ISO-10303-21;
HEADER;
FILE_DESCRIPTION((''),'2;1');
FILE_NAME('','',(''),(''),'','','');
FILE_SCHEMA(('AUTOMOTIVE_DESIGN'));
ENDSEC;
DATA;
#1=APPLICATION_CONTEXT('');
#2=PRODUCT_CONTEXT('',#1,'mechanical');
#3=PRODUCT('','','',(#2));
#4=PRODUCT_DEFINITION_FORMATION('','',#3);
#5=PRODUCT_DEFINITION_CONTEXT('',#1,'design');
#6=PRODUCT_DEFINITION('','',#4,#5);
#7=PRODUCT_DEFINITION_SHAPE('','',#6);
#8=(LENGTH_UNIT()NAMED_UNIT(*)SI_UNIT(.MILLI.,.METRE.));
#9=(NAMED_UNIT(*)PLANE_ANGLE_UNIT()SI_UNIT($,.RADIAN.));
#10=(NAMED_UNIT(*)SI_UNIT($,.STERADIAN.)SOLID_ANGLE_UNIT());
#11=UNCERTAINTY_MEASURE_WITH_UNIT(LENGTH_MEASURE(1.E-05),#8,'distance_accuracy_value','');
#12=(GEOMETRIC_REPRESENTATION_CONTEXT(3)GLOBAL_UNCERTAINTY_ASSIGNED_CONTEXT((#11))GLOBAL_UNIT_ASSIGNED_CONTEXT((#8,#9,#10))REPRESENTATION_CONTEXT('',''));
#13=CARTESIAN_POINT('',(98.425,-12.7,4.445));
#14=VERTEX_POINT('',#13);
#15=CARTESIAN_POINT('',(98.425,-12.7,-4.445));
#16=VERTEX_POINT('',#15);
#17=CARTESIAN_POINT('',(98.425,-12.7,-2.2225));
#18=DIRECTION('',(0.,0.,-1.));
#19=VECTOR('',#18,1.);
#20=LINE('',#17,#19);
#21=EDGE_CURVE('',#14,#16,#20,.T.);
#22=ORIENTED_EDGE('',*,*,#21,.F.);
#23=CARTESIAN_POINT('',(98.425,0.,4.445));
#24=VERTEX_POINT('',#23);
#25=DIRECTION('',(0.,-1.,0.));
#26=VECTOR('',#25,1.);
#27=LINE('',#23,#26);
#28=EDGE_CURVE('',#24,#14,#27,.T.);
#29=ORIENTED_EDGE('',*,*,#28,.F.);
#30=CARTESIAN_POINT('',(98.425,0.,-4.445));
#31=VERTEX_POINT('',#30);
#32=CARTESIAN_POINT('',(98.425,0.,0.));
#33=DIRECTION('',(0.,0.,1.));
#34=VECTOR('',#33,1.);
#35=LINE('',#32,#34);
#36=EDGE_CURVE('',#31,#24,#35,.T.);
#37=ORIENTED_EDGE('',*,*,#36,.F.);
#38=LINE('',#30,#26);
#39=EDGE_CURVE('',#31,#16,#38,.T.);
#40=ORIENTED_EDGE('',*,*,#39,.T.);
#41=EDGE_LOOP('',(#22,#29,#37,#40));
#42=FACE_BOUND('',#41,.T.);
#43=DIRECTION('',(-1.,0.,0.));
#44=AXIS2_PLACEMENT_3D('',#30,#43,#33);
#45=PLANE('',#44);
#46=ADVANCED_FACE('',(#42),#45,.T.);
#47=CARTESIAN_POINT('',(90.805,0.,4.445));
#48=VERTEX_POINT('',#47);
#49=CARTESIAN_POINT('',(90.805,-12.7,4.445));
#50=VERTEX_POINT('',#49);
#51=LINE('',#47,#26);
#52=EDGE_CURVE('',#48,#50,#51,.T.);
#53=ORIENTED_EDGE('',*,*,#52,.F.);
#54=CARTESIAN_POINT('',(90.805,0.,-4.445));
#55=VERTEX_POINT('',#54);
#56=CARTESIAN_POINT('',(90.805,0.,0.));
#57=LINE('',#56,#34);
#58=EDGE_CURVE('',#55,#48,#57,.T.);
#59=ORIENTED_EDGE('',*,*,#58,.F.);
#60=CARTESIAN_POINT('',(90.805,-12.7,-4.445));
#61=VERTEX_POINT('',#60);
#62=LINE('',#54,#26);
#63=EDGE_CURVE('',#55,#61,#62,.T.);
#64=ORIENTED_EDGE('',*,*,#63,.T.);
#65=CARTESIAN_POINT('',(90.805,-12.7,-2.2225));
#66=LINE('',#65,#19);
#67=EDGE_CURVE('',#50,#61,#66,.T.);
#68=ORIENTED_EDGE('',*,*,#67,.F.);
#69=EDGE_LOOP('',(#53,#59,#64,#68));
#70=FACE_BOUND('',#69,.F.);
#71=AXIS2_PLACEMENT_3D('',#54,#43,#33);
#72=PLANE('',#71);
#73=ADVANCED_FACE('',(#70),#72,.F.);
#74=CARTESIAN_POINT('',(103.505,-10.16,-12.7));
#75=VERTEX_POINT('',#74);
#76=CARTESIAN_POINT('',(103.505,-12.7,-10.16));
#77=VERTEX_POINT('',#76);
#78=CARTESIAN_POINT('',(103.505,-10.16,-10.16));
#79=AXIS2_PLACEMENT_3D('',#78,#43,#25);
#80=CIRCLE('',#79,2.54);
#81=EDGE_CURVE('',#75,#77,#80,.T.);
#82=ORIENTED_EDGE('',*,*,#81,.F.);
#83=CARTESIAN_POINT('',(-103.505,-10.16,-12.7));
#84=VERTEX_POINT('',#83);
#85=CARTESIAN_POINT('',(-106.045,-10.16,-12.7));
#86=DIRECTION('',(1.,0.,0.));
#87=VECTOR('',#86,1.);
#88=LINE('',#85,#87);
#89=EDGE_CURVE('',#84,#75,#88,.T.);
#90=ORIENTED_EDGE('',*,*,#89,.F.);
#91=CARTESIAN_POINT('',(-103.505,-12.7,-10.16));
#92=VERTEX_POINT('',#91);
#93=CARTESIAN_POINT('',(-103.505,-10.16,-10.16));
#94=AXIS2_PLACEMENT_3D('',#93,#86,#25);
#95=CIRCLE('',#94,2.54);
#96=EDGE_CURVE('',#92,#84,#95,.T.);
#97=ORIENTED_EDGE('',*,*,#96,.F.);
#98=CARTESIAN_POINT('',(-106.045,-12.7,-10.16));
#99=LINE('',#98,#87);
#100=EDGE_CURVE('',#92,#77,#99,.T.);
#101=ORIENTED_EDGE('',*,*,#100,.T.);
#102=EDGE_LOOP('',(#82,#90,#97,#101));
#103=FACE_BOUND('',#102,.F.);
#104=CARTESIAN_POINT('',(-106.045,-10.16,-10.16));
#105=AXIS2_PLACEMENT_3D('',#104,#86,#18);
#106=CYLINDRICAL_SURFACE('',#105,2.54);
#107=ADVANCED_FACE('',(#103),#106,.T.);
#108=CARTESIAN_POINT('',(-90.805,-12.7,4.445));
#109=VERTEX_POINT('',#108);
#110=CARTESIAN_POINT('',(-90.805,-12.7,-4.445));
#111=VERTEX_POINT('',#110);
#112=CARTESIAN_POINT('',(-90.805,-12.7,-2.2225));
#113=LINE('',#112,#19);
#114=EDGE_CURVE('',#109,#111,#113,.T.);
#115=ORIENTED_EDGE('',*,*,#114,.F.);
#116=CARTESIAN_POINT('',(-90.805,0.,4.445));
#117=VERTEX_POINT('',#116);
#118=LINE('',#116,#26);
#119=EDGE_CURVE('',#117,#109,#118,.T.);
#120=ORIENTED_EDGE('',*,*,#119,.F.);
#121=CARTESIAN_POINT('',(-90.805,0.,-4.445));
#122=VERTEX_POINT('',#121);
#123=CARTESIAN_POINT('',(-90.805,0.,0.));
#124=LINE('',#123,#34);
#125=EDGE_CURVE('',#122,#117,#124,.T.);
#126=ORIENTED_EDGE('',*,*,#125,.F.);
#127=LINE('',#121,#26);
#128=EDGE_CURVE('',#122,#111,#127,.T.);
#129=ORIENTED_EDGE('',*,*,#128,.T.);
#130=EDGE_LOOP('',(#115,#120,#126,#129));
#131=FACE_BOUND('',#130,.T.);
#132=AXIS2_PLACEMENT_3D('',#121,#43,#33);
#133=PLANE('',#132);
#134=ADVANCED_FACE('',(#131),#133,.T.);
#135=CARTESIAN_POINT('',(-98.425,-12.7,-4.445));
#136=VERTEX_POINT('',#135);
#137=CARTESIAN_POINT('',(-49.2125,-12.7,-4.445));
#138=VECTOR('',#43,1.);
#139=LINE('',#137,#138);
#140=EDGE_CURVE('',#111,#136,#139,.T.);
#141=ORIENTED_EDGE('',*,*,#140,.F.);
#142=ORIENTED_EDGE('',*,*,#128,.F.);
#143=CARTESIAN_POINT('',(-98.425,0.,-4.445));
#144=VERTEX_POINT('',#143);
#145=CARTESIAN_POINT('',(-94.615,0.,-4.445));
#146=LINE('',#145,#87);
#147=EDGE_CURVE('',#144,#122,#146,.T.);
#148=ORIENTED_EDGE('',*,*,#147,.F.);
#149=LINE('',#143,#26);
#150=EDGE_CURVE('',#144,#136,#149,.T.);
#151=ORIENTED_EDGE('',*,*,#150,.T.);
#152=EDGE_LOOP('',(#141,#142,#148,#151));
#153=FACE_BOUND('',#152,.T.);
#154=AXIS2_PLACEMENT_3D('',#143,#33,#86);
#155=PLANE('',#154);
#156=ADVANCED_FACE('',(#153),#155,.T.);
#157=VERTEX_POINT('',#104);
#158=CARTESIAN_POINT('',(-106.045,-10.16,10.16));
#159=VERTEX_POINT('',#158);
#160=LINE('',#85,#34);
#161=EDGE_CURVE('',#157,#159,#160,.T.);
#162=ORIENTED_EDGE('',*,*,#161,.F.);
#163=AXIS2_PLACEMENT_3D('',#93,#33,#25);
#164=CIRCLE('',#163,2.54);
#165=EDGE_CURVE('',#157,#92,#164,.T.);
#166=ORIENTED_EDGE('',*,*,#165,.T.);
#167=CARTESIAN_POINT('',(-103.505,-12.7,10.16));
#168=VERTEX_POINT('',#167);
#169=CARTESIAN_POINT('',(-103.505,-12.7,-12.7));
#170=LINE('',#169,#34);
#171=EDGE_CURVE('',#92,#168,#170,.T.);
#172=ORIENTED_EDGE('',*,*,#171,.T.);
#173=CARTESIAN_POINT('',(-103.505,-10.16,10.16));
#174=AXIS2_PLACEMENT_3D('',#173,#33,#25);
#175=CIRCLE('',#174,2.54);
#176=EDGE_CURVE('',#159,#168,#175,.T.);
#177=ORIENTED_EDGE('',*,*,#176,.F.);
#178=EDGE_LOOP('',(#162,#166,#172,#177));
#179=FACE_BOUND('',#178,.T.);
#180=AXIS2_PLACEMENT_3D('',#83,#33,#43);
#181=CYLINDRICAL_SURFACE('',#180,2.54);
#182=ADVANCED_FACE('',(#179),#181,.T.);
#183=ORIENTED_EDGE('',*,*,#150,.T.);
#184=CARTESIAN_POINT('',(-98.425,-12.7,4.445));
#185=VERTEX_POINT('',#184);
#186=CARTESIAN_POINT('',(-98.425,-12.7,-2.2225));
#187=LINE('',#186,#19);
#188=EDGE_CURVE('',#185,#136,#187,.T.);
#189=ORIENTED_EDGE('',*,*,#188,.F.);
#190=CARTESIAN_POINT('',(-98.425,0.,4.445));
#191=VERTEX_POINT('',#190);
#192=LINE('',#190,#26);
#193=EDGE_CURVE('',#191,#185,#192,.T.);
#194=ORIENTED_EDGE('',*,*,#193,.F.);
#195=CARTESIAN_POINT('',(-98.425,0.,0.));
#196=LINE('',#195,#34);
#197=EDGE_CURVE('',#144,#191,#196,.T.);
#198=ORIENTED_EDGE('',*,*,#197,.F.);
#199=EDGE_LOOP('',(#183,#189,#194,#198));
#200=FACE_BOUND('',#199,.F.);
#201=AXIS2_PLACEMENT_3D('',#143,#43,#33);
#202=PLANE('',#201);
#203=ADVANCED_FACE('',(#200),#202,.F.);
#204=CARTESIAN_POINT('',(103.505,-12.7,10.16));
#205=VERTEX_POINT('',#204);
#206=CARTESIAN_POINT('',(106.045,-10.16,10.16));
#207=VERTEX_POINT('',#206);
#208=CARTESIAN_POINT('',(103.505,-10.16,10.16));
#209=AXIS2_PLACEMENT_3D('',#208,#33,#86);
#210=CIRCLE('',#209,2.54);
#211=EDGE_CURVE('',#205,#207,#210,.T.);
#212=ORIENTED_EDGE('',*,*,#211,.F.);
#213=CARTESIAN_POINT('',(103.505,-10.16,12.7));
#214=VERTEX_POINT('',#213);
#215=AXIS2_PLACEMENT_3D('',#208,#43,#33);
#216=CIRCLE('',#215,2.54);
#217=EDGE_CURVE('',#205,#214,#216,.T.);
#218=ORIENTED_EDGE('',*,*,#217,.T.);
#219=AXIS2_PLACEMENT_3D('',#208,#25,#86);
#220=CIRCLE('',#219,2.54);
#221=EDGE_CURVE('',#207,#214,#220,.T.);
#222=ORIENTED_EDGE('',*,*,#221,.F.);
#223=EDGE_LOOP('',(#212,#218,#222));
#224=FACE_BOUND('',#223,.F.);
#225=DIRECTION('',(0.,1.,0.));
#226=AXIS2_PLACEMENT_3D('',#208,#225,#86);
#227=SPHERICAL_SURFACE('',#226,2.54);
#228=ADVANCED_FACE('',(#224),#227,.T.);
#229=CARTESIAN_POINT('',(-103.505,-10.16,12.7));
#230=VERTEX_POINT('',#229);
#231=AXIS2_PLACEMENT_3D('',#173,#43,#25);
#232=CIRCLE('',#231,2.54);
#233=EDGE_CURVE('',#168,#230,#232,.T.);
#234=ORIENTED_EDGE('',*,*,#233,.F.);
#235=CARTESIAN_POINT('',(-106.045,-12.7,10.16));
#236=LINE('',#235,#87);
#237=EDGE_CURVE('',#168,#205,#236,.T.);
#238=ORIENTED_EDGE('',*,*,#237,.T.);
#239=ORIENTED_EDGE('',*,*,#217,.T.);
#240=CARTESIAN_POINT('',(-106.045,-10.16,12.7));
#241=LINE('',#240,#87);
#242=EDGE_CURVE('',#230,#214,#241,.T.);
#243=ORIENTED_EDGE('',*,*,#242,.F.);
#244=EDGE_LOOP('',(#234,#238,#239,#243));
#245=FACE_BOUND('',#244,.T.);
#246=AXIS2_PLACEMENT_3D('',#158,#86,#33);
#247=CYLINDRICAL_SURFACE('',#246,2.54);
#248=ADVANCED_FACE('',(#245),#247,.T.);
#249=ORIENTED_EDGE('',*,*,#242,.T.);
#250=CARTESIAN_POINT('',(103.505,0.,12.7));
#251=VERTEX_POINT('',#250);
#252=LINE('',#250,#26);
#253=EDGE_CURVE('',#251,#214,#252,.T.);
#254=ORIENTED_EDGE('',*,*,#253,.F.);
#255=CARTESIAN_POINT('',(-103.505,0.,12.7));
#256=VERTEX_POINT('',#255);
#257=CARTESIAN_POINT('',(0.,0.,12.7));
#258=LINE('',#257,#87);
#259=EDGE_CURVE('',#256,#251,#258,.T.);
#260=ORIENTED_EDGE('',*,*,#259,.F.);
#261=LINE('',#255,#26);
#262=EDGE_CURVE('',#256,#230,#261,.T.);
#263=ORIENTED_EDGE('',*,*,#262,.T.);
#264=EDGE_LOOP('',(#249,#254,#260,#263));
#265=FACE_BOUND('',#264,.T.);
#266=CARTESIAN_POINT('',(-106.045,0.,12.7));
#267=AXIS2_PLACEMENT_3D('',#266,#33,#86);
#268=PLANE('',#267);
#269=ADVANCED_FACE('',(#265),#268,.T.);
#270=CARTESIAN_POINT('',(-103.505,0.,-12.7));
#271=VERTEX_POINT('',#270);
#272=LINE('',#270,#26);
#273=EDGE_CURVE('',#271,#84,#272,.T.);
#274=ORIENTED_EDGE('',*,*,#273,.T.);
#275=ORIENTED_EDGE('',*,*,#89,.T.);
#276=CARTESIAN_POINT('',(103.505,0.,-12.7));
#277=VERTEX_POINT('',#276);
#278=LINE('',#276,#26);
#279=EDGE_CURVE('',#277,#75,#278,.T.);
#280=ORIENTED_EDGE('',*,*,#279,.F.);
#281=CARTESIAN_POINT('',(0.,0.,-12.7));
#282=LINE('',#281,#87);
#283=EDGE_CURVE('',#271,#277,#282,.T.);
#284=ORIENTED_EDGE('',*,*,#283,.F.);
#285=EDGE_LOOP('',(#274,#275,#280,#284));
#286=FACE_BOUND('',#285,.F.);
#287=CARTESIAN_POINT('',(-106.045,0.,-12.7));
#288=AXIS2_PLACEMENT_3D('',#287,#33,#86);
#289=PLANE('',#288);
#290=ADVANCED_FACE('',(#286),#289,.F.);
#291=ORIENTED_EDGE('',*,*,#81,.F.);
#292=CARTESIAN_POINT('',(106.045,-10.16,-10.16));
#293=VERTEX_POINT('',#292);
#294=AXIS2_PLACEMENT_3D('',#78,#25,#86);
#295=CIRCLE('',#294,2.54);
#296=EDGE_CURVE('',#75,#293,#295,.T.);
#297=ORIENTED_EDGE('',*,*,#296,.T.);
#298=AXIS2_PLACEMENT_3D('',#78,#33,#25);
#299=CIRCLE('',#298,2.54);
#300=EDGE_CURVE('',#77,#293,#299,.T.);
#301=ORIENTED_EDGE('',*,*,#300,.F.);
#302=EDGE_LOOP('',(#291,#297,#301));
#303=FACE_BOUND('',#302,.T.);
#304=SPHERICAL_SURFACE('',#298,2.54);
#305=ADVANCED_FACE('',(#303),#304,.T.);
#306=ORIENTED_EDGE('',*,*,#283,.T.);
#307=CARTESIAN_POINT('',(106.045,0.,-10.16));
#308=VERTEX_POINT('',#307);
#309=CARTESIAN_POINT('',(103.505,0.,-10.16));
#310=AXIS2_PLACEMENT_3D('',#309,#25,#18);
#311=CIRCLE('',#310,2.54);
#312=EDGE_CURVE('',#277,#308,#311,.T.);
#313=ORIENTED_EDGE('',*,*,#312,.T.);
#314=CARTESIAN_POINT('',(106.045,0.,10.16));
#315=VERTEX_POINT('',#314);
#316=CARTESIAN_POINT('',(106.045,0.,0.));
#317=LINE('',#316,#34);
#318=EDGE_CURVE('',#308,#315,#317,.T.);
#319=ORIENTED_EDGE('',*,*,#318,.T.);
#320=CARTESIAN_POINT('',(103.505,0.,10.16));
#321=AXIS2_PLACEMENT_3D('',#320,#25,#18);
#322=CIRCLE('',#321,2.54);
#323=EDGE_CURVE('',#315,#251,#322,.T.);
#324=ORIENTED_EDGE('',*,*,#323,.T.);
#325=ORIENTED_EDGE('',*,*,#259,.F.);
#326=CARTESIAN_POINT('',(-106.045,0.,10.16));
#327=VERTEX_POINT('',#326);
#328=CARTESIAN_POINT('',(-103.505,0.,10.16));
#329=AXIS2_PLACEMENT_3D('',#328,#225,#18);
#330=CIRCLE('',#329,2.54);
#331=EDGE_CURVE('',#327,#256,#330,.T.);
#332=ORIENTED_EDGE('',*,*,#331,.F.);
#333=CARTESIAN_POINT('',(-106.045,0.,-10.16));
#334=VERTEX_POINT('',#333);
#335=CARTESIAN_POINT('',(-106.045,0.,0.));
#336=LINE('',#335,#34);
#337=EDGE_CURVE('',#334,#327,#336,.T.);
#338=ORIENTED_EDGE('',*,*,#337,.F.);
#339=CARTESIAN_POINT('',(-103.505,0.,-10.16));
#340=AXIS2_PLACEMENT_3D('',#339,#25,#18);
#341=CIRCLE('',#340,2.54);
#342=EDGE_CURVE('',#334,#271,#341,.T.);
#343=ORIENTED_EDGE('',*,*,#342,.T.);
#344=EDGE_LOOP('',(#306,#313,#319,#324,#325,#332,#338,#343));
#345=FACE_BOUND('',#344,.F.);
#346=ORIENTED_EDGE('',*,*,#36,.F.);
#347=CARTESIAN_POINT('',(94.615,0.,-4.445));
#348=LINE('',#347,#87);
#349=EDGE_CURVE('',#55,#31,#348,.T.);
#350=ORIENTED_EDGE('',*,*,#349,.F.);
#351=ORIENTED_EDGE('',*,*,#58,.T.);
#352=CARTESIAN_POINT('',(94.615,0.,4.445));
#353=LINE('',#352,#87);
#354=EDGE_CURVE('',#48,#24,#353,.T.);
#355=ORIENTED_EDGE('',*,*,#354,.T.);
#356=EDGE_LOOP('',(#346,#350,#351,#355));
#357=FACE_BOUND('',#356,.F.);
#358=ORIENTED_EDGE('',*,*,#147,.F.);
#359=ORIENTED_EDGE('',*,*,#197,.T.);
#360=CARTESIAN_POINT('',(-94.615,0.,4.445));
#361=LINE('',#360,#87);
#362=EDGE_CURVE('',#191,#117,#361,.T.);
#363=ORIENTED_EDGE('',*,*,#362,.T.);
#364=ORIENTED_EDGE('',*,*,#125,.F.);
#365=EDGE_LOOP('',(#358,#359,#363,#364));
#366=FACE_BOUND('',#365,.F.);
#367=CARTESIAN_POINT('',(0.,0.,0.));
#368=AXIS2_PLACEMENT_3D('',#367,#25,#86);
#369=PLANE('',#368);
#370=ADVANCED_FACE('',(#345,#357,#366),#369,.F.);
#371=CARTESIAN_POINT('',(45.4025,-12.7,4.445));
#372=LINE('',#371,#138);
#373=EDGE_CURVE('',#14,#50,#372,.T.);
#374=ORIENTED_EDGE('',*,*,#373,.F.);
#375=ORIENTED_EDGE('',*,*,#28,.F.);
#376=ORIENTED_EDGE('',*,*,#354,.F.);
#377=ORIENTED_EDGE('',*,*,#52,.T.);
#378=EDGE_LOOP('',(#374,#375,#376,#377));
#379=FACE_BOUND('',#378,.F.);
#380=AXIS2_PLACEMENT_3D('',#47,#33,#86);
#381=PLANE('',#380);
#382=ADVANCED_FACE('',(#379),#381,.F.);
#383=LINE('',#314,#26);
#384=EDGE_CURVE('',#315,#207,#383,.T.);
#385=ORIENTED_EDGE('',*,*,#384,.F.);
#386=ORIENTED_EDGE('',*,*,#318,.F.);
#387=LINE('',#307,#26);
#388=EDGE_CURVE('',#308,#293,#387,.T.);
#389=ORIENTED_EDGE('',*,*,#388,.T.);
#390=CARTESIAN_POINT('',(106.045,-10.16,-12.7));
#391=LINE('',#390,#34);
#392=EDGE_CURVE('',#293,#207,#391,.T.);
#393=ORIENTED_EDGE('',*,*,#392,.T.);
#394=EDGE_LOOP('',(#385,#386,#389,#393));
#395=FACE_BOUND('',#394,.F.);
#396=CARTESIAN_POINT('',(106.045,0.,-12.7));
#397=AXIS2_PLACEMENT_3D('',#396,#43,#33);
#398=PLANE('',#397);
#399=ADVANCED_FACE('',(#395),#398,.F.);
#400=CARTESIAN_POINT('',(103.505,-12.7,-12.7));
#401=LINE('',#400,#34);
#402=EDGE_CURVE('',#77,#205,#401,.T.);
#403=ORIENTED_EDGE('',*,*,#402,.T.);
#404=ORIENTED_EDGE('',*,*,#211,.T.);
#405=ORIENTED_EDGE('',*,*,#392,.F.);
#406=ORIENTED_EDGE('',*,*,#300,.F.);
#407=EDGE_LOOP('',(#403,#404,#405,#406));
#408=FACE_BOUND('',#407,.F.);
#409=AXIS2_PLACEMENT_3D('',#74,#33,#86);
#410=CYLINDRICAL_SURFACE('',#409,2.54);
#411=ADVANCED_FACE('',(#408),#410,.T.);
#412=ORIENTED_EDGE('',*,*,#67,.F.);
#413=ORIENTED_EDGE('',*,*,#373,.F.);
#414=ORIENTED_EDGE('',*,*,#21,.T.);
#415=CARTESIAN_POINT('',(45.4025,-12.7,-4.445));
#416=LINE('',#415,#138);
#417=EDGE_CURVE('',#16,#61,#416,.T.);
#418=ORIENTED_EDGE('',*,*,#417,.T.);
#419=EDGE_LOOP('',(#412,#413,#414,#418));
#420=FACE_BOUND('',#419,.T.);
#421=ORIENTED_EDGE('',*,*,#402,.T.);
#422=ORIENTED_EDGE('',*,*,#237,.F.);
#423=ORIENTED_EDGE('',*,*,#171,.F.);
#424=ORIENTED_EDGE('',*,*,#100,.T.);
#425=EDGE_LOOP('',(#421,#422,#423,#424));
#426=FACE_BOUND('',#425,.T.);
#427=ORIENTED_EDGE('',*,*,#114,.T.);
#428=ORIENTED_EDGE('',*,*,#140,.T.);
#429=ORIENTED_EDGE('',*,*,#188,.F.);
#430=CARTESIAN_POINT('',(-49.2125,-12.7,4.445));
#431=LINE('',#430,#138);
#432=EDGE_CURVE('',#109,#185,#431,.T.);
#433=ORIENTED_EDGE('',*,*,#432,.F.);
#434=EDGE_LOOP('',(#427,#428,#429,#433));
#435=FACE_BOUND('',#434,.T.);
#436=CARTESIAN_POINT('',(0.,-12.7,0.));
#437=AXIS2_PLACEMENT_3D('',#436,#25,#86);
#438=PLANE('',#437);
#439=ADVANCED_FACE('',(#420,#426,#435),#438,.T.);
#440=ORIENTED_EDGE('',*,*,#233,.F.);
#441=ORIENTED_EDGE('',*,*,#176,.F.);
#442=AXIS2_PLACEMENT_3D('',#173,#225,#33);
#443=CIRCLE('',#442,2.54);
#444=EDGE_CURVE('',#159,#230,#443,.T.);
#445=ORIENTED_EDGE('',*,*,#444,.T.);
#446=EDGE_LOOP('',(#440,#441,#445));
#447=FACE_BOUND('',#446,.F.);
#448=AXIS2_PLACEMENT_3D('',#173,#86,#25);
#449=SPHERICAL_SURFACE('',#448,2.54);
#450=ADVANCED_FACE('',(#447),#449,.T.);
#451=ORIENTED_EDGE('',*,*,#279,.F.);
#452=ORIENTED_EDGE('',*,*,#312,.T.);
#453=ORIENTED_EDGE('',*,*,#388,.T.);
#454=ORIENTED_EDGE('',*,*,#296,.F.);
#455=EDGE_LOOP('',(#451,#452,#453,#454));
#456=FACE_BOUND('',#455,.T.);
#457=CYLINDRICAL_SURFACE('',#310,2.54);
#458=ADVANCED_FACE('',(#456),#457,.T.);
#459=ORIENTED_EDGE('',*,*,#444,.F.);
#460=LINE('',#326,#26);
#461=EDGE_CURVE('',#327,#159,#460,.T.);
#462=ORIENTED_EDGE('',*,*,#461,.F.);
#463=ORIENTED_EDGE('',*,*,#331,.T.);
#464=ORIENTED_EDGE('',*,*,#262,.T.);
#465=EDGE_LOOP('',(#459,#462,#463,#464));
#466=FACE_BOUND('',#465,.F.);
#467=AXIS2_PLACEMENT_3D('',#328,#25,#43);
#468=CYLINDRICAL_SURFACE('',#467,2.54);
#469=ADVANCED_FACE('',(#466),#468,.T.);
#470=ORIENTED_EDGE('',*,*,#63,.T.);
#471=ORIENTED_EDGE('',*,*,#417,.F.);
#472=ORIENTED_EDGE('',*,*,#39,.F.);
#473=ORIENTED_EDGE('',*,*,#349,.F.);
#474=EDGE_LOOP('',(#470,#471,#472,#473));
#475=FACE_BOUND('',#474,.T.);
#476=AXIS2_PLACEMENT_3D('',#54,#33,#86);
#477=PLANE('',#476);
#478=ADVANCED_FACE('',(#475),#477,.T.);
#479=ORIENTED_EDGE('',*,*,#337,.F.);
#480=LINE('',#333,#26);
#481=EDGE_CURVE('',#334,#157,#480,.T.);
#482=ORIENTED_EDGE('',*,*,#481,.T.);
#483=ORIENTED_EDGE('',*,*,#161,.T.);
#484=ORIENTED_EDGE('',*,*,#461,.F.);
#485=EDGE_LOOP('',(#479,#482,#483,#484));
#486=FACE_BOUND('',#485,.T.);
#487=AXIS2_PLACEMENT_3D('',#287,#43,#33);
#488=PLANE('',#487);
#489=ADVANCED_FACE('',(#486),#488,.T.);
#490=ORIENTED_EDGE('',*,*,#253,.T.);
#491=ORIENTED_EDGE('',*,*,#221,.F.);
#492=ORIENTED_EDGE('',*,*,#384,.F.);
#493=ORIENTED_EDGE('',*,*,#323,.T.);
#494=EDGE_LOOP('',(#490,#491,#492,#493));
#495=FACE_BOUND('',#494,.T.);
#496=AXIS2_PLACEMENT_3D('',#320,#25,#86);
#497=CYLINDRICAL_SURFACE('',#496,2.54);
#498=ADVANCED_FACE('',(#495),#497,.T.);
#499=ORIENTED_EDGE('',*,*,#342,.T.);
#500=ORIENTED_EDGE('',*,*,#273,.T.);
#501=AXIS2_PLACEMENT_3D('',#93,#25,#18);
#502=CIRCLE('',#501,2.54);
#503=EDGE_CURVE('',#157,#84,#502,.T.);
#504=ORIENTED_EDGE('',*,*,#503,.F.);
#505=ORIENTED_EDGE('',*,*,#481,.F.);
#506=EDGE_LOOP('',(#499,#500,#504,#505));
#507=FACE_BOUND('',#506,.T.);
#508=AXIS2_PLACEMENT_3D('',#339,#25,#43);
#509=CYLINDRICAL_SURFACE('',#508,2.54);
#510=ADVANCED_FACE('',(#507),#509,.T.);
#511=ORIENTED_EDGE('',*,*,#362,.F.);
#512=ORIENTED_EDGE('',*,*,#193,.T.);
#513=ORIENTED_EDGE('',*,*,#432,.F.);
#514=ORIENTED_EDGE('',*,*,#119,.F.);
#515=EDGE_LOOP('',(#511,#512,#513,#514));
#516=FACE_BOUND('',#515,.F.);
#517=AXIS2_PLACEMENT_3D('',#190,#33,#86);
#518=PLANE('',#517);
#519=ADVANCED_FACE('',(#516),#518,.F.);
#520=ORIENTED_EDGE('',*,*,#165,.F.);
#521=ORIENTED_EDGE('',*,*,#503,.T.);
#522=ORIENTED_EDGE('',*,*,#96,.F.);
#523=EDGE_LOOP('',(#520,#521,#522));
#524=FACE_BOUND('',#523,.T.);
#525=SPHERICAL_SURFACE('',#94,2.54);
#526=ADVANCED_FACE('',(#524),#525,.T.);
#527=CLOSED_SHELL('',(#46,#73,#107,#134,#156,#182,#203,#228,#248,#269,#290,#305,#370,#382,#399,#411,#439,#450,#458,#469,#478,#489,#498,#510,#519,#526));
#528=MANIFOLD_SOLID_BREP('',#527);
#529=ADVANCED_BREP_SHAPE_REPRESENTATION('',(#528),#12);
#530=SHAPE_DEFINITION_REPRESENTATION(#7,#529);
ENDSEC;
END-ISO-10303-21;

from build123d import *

# Parameters (mm, degrees)
F0_W     = 212.09
F0_H     = 25.4
F1_DEPTH = 12.7
F2_R     = 2.54
F4_W     = 7.62
F4_H     = 8.89
F5_DEPTH = 25.4


with BuildPart() as f1:
    # F0 (on Front) → F1 (new body)
    with BuildSketch(Plane.XZ):
        Rectangle(F0_W, F0_H)
    extrude(amount=F1_DEPTH)

    # F2
    f2_edges = [f1.edges().sort_by_distance(p)[0] for p in [
        (106.045, -6.35, 12.7),
        (106.045, -12.7, 0),
        (0, -12.7, 12.7),
        (0, -12.7, -12.7),
        (-106.045, -12.7, 0),
        (-106.045, -6.35, 12.7),
        (106.045, -6.35, -12.7),
        (-106.045, -6.35, -12.7),
    ]]
    fillet(f2_edges, radius=F2_R)

    # F4 (on Front) → F5 (cut)
    with BuildSketch(Plane.XZ):
        with Locations((94.615, 0)):
            Rectangle(F4_W, F4_H)
        with Locations((-94.615, 0)):
            Rectangle(F4_W, F4_H)
    extrude(amount=F5_DEPTH, mode=Mode.SUBTRACT)


solid = f1.part
